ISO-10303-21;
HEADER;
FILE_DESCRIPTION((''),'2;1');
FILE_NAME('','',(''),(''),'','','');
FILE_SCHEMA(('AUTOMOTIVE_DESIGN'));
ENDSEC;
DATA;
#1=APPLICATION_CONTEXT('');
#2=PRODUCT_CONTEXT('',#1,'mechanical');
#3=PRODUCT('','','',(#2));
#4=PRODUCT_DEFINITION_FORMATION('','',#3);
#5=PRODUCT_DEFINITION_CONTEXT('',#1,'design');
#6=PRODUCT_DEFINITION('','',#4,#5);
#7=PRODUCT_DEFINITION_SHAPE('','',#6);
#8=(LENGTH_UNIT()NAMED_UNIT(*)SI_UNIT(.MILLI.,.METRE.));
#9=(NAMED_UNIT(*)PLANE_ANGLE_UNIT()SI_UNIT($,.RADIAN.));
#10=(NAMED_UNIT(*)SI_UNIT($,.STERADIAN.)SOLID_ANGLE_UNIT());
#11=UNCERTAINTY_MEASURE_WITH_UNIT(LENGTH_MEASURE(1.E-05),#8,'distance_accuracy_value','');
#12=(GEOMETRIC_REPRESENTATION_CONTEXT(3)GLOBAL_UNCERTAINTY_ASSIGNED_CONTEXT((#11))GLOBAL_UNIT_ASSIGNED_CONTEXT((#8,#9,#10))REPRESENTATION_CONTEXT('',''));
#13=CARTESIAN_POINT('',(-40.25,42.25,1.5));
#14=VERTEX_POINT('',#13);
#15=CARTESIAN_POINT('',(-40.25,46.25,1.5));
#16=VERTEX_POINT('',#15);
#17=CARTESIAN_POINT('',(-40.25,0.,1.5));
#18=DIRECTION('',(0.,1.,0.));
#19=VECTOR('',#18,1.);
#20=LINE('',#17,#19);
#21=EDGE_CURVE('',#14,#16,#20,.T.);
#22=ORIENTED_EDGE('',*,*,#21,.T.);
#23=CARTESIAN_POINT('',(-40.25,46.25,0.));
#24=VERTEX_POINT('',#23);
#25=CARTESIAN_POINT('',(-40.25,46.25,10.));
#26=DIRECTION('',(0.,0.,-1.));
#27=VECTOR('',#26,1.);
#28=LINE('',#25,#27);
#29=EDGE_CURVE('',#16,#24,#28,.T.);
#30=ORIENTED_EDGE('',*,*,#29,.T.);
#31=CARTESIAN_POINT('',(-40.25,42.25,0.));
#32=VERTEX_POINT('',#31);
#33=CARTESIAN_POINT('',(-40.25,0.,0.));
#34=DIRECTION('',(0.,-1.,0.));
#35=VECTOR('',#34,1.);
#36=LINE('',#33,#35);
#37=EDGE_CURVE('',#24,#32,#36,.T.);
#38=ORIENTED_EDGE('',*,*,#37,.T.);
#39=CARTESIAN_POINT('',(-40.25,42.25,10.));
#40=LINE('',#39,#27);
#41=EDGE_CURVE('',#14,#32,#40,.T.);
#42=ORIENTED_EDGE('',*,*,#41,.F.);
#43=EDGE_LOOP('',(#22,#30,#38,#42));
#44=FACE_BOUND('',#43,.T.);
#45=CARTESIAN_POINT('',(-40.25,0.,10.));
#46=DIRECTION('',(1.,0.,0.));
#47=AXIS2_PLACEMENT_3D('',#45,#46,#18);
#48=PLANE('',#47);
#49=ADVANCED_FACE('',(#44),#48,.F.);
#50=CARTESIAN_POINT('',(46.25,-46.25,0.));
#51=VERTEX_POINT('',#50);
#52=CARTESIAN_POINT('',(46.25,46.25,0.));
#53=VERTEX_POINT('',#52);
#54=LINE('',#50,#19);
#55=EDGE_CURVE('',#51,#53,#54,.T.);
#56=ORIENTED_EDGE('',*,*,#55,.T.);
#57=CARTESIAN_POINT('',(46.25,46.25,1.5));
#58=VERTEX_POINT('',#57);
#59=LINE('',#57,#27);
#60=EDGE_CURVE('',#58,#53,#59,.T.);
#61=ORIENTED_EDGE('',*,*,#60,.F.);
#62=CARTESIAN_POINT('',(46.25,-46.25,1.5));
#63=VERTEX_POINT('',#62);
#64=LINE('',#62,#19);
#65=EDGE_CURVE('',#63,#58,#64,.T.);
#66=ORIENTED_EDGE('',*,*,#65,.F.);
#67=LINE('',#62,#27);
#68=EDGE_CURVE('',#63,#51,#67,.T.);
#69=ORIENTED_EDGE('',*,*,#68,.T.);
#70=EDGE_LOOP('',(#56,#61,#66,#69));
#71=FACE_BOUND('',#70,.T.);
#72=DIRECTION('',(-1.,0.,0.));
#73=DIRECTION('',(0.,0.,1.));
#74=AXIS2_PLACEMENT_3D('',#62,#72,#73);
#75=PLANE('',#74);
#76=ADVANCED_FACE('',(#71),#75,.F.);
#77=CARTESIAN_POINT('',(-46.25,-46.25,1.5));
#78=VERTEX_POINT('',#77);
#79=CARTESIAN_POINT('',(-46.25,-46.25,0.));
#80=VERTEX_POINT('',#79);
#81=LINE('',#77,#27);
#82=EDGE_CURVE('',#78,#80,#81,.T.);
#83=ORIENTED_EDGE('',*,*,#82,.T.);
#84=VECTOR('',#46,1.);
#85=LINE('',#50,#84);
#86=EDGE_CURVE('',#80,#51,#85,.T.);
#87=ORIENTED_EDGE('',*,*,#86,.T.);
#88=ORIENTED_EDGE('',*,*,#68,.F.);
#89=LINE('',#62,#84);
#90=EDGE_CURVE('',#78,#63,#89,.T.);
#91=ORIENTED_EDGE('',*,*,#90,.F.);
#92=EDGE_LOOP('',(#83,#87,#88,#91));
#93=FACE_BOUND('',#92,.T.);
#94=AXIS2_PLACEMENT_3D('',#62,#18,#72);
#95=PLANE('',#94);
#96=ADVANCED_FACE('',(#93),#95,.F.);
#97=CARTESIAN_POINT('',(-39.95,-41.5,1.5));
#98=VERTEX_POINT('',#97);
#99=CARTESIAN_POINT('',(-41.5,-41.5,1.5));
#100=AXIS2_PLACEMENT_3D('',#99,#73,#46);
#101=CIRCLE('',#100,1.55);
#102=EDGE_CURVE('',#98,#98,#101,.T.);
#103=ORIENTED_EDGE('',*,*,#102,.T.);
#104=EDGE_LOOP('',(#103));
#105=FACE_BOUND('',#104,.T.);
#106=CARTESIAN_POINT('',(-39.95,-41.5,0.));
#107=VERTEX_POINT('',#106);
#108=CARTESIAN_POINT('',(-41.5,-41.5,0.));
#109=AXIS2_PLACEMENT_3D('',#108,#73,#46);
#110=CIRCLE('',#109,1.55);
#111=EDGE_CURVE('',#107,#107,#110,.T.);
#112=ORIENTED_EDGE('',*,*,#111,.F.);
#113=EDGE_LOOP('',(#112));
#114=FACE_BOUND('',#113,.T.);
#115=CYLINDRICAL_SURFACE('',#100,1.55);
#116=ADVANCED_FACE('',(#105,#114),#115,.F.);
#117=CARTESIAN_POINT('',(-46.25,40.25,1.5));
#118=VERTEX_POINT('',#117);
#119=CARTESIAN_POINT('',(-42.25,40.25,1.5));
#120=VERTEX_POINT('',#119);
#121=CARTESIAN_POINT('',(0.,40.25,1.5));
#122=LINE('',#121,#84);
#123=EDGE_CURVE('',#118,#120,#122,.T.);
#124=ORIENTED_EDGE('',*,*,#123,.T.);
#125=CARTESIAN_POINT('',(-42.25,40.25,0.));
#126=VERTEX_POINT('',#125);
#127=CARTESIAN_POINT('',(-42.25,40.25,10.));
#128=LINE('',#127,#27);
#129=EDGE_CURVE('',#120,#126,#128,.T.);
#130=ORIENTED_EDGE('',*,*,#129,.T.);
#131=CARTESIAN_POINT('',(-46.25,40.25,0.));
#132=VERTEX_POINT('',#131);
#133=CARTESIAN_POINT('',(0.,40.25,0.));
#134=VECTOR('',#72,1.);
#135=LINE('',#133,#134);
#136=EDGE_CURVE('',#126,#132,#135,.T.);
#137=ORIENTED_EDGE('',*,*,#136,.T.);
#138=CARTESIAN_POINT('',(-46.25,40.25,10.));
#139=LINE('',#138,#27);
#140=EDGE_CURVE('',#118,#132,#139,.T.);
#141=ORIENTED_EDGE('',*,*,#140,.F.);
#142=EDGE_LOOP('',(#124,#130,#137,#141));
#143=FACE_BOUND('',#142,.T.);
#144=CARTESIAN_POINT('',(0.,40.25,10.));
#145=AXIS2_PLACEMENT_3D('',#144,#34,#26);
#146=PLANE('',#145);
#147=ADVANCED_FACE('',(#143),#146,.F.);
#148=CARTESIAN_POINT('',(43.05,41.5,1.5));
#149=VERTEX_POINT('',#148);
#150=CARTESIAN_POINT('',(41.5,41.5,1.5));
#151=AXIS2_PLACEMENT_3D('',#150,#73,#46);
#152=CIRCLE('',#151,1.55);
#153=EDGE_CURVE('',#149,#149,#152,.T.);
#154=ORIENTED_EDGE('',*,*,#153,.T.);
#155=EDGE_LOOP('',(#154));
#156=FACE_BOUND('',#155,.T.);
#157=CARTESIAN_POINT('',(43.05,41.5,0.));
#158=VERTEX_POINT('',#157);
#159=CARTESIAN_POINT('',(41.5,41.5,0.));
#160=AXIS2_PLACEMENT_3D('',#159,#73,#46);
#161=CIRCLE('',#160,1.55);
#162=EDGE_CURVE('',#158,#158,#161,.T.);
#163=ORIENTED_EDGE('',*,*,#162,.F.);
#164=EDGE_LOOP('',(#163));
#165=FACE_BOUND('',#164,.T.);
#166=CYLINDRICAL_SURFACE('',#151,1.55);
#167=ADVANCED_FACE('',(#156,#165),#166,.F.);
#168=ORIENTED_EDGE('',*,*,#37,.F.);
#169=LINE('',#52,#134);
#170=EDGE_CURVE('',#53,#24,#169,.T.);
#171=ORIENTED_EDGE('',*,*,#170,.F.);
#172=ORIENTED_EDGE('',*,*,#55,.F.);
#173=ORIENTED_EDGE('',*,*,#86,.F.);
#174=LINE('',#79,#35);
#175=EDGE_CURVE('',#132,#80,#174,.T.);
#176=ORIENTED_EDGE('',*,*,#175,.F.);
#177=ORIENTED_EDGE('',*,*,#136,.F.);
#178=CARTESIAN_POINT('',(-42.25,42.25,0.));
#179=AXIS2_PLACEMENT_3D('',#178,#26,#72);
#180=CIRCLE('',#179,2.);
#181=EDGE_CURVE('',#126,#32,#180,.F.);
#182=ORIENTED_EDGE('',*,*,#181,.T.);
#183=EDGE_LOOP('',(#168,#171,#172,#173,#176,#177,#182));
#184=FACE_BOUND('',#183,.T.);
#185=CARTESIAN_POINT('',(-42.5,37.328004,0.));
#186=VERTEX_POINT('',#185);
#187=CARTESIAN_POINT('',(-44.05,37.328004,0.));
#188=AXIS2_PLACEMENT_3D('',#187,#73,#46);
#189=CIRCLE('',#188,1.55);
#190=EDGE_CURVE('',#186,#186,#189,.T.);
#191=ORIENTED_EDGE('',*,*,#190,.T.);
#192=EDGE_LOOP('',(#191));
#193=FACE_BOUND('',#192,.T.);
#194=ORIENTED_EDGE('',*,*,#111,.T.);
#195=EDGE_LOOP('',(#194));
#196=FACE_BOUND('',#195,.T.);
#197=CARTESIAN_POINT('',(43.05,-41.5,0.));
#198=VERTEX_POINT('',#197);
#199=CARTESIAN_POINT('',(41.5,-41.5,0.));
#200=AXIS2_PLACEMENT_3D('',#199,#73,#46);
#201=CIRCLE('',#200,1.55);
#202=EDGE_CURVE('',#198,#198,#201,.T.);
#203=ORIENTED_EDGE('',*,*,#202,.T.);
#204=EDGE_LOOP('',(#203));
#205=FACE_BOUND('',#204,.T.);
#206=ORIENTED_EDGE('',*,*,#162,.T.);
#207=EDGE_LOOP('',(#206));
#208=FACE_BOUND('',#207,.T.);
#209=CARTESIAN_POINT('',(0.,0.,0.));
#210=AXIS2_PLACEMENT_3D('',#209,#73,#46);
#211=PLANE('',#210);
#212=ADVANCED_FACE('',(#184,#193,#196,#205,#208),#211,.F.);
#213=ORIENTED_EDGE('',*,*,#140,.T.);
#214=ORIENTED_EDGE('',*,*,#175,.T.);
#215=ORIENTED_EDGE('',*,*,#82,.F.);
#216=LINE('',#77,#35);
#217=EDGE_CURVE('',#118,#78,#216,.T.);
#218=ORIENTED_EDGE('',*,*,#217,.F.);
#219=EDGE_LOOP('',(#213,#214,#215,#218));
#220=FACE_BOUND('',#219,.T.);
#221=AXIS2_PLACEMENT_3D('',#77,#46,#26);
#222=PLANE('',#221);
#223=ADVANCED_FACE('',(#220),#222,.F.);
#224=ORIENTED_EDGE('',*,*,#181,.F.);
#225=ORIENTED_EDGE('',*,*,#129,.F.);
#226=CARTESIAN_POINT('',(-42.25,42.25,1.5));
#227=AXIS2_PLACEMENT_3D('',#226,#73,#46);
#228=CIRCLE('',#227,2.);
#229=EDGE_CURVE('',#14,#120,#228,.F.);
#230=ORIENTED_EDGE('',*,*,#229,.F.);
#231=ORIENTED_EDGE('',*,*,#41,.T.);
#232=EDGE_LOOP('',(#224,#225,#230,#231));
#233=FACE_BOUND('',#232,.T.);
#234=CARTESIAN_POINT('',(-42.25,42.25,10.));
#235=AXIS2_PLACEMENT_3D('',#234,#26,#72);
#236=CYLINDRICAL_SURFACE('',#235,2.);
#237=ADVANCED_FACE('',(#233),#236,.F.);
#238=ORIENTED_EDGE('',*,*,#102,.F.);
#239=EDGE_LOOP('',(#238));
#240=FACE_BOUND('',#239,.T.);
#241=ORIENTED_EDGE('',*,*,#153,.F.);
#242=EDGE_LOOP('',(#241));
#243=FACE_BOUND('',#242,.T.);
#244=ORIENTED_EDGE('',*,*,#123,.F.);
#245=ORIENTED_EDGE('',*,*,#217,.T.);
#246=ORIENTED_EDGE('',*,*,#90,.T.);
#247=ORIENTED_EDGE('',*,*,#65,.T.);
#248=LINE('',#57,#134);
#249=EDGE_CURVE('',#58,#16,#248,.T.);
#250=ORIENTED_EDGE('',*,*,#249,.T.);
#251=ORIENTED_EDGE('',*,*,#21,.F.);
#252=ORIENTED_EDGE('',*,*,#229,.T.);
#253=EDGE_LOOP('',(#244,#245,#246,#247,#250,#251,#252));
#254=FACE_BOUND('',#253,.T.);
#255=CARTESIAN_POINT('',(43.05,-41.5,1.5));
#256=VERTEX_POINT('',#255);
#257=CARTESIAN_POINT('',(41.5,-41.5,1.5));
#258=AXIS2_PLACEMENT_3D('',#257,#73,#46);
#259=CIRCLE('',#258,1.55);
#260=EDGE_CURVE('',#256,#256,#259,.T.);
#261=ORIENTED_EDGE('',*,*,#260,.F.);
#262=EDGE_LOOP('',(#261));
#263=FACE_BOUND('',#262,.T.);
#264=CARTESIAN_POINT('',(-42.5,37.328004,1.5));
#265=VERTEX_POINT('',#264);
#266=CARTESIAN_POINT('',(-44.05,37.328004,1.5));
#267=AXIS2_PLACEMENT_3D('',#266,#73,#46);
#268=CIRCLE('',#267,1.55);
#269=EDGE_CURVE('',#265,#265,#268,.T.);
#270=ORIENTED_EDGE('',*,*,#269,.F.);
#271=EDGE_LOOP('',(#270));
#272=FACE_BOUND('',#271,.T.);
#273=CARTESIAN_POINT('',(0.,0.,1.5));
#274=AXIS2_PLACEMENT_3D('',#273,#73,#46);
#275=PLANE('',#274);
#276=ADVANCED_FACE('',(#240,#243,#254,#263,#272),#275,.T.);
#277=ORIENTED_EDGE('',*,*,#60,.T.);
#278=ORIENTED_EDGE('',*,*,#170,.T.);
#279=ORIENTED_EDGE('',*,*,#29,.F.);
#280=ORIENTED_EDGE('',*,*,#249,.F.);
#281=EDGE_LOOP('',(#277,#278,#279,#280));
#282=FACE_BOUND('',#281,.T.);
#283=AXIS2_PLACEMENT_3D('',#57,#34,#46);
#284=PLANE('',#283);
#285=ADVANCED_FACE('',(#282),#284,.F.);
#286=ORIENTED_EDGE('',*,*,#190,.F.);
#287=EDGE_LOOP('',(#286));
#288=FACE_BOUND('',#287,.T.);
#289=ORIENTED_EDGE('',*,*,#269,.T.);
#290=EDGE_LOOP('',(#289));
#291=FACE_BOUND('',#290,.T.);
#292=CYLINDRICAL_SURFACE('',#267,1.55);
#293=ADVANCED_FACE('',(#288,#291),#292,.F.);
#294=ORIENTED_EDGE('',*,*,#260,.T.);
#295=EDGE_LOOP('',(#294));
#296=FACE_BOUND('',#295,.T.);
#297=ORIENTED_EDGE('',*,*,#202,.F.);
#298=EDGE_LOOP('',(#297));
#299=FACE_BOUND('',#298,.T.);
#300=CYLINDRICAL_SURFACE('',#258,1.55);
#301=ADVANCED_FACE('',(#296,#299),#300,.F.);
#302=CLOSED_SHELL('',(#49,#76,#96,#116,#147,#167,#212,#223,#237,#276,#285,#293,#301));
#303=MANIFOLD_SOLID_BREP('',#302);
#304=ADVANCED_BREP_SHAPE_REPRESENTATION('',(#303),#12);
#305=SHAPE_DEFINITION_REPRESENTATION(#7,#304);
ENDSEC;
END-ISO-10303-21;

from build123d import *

# Parameters (mm, degrees)
SKETCH1_W                  = 92.5
SKETCH1_H                  = 92.5
BOSS_EXTRUDE1_DEPTH        = 1.5
F_3_1_3_1_DIAMETER_HOLE1_D = 3.1
CUT_EXTRUDE1_DEPTH         = 10


with BuildPart() as part:
    # Sketch1 → Boss-Extrude1 (new body)
    with BuildSketch(Plane.XY):
        Rectangle(SKETCH1_W, SKETCH1_H)
    extrude(amount=BOSS_EXTRUDE1_DEPTH)

    # Ø3.1 (3.1) Diameter Hole1 (through all)
    with Locations(Plane.XY.offset(1.5)):
        with Locations((-44.05, 37.328004442), (41.5, 41.5), (41.5, -41.5), (-41.5, -41.5)):
            Hole(F_3_1_3_1_DIAMETER_HOLE1_D / 2)

    # Sketch6 → Cut-Extrude1 (cut)
    with BuildSketch(Plane(origin=(0, 0, 0), x_dir=(-1, 0, 0), z_dir=(0, 0, -1))):
        with BuildLine():
            Line((46.25, 46.25), (40.25, 46.25))
            Line((40.25, 46.25), (40.25, 42.25))
            ThreePointArc((40.25, 42.25), (40.835786438, 40.835786438), (42.25, 40.25))
            Line((42.25, 40.25), (46.25, 40.25))
            Line((46.25, 40.25), (46.25, 46.25))
        make_face()
    extrude(amount=-CUT_EXTRUDE1_DEPTH, mode=Mode.SUBTRACT)


solid = part.part
